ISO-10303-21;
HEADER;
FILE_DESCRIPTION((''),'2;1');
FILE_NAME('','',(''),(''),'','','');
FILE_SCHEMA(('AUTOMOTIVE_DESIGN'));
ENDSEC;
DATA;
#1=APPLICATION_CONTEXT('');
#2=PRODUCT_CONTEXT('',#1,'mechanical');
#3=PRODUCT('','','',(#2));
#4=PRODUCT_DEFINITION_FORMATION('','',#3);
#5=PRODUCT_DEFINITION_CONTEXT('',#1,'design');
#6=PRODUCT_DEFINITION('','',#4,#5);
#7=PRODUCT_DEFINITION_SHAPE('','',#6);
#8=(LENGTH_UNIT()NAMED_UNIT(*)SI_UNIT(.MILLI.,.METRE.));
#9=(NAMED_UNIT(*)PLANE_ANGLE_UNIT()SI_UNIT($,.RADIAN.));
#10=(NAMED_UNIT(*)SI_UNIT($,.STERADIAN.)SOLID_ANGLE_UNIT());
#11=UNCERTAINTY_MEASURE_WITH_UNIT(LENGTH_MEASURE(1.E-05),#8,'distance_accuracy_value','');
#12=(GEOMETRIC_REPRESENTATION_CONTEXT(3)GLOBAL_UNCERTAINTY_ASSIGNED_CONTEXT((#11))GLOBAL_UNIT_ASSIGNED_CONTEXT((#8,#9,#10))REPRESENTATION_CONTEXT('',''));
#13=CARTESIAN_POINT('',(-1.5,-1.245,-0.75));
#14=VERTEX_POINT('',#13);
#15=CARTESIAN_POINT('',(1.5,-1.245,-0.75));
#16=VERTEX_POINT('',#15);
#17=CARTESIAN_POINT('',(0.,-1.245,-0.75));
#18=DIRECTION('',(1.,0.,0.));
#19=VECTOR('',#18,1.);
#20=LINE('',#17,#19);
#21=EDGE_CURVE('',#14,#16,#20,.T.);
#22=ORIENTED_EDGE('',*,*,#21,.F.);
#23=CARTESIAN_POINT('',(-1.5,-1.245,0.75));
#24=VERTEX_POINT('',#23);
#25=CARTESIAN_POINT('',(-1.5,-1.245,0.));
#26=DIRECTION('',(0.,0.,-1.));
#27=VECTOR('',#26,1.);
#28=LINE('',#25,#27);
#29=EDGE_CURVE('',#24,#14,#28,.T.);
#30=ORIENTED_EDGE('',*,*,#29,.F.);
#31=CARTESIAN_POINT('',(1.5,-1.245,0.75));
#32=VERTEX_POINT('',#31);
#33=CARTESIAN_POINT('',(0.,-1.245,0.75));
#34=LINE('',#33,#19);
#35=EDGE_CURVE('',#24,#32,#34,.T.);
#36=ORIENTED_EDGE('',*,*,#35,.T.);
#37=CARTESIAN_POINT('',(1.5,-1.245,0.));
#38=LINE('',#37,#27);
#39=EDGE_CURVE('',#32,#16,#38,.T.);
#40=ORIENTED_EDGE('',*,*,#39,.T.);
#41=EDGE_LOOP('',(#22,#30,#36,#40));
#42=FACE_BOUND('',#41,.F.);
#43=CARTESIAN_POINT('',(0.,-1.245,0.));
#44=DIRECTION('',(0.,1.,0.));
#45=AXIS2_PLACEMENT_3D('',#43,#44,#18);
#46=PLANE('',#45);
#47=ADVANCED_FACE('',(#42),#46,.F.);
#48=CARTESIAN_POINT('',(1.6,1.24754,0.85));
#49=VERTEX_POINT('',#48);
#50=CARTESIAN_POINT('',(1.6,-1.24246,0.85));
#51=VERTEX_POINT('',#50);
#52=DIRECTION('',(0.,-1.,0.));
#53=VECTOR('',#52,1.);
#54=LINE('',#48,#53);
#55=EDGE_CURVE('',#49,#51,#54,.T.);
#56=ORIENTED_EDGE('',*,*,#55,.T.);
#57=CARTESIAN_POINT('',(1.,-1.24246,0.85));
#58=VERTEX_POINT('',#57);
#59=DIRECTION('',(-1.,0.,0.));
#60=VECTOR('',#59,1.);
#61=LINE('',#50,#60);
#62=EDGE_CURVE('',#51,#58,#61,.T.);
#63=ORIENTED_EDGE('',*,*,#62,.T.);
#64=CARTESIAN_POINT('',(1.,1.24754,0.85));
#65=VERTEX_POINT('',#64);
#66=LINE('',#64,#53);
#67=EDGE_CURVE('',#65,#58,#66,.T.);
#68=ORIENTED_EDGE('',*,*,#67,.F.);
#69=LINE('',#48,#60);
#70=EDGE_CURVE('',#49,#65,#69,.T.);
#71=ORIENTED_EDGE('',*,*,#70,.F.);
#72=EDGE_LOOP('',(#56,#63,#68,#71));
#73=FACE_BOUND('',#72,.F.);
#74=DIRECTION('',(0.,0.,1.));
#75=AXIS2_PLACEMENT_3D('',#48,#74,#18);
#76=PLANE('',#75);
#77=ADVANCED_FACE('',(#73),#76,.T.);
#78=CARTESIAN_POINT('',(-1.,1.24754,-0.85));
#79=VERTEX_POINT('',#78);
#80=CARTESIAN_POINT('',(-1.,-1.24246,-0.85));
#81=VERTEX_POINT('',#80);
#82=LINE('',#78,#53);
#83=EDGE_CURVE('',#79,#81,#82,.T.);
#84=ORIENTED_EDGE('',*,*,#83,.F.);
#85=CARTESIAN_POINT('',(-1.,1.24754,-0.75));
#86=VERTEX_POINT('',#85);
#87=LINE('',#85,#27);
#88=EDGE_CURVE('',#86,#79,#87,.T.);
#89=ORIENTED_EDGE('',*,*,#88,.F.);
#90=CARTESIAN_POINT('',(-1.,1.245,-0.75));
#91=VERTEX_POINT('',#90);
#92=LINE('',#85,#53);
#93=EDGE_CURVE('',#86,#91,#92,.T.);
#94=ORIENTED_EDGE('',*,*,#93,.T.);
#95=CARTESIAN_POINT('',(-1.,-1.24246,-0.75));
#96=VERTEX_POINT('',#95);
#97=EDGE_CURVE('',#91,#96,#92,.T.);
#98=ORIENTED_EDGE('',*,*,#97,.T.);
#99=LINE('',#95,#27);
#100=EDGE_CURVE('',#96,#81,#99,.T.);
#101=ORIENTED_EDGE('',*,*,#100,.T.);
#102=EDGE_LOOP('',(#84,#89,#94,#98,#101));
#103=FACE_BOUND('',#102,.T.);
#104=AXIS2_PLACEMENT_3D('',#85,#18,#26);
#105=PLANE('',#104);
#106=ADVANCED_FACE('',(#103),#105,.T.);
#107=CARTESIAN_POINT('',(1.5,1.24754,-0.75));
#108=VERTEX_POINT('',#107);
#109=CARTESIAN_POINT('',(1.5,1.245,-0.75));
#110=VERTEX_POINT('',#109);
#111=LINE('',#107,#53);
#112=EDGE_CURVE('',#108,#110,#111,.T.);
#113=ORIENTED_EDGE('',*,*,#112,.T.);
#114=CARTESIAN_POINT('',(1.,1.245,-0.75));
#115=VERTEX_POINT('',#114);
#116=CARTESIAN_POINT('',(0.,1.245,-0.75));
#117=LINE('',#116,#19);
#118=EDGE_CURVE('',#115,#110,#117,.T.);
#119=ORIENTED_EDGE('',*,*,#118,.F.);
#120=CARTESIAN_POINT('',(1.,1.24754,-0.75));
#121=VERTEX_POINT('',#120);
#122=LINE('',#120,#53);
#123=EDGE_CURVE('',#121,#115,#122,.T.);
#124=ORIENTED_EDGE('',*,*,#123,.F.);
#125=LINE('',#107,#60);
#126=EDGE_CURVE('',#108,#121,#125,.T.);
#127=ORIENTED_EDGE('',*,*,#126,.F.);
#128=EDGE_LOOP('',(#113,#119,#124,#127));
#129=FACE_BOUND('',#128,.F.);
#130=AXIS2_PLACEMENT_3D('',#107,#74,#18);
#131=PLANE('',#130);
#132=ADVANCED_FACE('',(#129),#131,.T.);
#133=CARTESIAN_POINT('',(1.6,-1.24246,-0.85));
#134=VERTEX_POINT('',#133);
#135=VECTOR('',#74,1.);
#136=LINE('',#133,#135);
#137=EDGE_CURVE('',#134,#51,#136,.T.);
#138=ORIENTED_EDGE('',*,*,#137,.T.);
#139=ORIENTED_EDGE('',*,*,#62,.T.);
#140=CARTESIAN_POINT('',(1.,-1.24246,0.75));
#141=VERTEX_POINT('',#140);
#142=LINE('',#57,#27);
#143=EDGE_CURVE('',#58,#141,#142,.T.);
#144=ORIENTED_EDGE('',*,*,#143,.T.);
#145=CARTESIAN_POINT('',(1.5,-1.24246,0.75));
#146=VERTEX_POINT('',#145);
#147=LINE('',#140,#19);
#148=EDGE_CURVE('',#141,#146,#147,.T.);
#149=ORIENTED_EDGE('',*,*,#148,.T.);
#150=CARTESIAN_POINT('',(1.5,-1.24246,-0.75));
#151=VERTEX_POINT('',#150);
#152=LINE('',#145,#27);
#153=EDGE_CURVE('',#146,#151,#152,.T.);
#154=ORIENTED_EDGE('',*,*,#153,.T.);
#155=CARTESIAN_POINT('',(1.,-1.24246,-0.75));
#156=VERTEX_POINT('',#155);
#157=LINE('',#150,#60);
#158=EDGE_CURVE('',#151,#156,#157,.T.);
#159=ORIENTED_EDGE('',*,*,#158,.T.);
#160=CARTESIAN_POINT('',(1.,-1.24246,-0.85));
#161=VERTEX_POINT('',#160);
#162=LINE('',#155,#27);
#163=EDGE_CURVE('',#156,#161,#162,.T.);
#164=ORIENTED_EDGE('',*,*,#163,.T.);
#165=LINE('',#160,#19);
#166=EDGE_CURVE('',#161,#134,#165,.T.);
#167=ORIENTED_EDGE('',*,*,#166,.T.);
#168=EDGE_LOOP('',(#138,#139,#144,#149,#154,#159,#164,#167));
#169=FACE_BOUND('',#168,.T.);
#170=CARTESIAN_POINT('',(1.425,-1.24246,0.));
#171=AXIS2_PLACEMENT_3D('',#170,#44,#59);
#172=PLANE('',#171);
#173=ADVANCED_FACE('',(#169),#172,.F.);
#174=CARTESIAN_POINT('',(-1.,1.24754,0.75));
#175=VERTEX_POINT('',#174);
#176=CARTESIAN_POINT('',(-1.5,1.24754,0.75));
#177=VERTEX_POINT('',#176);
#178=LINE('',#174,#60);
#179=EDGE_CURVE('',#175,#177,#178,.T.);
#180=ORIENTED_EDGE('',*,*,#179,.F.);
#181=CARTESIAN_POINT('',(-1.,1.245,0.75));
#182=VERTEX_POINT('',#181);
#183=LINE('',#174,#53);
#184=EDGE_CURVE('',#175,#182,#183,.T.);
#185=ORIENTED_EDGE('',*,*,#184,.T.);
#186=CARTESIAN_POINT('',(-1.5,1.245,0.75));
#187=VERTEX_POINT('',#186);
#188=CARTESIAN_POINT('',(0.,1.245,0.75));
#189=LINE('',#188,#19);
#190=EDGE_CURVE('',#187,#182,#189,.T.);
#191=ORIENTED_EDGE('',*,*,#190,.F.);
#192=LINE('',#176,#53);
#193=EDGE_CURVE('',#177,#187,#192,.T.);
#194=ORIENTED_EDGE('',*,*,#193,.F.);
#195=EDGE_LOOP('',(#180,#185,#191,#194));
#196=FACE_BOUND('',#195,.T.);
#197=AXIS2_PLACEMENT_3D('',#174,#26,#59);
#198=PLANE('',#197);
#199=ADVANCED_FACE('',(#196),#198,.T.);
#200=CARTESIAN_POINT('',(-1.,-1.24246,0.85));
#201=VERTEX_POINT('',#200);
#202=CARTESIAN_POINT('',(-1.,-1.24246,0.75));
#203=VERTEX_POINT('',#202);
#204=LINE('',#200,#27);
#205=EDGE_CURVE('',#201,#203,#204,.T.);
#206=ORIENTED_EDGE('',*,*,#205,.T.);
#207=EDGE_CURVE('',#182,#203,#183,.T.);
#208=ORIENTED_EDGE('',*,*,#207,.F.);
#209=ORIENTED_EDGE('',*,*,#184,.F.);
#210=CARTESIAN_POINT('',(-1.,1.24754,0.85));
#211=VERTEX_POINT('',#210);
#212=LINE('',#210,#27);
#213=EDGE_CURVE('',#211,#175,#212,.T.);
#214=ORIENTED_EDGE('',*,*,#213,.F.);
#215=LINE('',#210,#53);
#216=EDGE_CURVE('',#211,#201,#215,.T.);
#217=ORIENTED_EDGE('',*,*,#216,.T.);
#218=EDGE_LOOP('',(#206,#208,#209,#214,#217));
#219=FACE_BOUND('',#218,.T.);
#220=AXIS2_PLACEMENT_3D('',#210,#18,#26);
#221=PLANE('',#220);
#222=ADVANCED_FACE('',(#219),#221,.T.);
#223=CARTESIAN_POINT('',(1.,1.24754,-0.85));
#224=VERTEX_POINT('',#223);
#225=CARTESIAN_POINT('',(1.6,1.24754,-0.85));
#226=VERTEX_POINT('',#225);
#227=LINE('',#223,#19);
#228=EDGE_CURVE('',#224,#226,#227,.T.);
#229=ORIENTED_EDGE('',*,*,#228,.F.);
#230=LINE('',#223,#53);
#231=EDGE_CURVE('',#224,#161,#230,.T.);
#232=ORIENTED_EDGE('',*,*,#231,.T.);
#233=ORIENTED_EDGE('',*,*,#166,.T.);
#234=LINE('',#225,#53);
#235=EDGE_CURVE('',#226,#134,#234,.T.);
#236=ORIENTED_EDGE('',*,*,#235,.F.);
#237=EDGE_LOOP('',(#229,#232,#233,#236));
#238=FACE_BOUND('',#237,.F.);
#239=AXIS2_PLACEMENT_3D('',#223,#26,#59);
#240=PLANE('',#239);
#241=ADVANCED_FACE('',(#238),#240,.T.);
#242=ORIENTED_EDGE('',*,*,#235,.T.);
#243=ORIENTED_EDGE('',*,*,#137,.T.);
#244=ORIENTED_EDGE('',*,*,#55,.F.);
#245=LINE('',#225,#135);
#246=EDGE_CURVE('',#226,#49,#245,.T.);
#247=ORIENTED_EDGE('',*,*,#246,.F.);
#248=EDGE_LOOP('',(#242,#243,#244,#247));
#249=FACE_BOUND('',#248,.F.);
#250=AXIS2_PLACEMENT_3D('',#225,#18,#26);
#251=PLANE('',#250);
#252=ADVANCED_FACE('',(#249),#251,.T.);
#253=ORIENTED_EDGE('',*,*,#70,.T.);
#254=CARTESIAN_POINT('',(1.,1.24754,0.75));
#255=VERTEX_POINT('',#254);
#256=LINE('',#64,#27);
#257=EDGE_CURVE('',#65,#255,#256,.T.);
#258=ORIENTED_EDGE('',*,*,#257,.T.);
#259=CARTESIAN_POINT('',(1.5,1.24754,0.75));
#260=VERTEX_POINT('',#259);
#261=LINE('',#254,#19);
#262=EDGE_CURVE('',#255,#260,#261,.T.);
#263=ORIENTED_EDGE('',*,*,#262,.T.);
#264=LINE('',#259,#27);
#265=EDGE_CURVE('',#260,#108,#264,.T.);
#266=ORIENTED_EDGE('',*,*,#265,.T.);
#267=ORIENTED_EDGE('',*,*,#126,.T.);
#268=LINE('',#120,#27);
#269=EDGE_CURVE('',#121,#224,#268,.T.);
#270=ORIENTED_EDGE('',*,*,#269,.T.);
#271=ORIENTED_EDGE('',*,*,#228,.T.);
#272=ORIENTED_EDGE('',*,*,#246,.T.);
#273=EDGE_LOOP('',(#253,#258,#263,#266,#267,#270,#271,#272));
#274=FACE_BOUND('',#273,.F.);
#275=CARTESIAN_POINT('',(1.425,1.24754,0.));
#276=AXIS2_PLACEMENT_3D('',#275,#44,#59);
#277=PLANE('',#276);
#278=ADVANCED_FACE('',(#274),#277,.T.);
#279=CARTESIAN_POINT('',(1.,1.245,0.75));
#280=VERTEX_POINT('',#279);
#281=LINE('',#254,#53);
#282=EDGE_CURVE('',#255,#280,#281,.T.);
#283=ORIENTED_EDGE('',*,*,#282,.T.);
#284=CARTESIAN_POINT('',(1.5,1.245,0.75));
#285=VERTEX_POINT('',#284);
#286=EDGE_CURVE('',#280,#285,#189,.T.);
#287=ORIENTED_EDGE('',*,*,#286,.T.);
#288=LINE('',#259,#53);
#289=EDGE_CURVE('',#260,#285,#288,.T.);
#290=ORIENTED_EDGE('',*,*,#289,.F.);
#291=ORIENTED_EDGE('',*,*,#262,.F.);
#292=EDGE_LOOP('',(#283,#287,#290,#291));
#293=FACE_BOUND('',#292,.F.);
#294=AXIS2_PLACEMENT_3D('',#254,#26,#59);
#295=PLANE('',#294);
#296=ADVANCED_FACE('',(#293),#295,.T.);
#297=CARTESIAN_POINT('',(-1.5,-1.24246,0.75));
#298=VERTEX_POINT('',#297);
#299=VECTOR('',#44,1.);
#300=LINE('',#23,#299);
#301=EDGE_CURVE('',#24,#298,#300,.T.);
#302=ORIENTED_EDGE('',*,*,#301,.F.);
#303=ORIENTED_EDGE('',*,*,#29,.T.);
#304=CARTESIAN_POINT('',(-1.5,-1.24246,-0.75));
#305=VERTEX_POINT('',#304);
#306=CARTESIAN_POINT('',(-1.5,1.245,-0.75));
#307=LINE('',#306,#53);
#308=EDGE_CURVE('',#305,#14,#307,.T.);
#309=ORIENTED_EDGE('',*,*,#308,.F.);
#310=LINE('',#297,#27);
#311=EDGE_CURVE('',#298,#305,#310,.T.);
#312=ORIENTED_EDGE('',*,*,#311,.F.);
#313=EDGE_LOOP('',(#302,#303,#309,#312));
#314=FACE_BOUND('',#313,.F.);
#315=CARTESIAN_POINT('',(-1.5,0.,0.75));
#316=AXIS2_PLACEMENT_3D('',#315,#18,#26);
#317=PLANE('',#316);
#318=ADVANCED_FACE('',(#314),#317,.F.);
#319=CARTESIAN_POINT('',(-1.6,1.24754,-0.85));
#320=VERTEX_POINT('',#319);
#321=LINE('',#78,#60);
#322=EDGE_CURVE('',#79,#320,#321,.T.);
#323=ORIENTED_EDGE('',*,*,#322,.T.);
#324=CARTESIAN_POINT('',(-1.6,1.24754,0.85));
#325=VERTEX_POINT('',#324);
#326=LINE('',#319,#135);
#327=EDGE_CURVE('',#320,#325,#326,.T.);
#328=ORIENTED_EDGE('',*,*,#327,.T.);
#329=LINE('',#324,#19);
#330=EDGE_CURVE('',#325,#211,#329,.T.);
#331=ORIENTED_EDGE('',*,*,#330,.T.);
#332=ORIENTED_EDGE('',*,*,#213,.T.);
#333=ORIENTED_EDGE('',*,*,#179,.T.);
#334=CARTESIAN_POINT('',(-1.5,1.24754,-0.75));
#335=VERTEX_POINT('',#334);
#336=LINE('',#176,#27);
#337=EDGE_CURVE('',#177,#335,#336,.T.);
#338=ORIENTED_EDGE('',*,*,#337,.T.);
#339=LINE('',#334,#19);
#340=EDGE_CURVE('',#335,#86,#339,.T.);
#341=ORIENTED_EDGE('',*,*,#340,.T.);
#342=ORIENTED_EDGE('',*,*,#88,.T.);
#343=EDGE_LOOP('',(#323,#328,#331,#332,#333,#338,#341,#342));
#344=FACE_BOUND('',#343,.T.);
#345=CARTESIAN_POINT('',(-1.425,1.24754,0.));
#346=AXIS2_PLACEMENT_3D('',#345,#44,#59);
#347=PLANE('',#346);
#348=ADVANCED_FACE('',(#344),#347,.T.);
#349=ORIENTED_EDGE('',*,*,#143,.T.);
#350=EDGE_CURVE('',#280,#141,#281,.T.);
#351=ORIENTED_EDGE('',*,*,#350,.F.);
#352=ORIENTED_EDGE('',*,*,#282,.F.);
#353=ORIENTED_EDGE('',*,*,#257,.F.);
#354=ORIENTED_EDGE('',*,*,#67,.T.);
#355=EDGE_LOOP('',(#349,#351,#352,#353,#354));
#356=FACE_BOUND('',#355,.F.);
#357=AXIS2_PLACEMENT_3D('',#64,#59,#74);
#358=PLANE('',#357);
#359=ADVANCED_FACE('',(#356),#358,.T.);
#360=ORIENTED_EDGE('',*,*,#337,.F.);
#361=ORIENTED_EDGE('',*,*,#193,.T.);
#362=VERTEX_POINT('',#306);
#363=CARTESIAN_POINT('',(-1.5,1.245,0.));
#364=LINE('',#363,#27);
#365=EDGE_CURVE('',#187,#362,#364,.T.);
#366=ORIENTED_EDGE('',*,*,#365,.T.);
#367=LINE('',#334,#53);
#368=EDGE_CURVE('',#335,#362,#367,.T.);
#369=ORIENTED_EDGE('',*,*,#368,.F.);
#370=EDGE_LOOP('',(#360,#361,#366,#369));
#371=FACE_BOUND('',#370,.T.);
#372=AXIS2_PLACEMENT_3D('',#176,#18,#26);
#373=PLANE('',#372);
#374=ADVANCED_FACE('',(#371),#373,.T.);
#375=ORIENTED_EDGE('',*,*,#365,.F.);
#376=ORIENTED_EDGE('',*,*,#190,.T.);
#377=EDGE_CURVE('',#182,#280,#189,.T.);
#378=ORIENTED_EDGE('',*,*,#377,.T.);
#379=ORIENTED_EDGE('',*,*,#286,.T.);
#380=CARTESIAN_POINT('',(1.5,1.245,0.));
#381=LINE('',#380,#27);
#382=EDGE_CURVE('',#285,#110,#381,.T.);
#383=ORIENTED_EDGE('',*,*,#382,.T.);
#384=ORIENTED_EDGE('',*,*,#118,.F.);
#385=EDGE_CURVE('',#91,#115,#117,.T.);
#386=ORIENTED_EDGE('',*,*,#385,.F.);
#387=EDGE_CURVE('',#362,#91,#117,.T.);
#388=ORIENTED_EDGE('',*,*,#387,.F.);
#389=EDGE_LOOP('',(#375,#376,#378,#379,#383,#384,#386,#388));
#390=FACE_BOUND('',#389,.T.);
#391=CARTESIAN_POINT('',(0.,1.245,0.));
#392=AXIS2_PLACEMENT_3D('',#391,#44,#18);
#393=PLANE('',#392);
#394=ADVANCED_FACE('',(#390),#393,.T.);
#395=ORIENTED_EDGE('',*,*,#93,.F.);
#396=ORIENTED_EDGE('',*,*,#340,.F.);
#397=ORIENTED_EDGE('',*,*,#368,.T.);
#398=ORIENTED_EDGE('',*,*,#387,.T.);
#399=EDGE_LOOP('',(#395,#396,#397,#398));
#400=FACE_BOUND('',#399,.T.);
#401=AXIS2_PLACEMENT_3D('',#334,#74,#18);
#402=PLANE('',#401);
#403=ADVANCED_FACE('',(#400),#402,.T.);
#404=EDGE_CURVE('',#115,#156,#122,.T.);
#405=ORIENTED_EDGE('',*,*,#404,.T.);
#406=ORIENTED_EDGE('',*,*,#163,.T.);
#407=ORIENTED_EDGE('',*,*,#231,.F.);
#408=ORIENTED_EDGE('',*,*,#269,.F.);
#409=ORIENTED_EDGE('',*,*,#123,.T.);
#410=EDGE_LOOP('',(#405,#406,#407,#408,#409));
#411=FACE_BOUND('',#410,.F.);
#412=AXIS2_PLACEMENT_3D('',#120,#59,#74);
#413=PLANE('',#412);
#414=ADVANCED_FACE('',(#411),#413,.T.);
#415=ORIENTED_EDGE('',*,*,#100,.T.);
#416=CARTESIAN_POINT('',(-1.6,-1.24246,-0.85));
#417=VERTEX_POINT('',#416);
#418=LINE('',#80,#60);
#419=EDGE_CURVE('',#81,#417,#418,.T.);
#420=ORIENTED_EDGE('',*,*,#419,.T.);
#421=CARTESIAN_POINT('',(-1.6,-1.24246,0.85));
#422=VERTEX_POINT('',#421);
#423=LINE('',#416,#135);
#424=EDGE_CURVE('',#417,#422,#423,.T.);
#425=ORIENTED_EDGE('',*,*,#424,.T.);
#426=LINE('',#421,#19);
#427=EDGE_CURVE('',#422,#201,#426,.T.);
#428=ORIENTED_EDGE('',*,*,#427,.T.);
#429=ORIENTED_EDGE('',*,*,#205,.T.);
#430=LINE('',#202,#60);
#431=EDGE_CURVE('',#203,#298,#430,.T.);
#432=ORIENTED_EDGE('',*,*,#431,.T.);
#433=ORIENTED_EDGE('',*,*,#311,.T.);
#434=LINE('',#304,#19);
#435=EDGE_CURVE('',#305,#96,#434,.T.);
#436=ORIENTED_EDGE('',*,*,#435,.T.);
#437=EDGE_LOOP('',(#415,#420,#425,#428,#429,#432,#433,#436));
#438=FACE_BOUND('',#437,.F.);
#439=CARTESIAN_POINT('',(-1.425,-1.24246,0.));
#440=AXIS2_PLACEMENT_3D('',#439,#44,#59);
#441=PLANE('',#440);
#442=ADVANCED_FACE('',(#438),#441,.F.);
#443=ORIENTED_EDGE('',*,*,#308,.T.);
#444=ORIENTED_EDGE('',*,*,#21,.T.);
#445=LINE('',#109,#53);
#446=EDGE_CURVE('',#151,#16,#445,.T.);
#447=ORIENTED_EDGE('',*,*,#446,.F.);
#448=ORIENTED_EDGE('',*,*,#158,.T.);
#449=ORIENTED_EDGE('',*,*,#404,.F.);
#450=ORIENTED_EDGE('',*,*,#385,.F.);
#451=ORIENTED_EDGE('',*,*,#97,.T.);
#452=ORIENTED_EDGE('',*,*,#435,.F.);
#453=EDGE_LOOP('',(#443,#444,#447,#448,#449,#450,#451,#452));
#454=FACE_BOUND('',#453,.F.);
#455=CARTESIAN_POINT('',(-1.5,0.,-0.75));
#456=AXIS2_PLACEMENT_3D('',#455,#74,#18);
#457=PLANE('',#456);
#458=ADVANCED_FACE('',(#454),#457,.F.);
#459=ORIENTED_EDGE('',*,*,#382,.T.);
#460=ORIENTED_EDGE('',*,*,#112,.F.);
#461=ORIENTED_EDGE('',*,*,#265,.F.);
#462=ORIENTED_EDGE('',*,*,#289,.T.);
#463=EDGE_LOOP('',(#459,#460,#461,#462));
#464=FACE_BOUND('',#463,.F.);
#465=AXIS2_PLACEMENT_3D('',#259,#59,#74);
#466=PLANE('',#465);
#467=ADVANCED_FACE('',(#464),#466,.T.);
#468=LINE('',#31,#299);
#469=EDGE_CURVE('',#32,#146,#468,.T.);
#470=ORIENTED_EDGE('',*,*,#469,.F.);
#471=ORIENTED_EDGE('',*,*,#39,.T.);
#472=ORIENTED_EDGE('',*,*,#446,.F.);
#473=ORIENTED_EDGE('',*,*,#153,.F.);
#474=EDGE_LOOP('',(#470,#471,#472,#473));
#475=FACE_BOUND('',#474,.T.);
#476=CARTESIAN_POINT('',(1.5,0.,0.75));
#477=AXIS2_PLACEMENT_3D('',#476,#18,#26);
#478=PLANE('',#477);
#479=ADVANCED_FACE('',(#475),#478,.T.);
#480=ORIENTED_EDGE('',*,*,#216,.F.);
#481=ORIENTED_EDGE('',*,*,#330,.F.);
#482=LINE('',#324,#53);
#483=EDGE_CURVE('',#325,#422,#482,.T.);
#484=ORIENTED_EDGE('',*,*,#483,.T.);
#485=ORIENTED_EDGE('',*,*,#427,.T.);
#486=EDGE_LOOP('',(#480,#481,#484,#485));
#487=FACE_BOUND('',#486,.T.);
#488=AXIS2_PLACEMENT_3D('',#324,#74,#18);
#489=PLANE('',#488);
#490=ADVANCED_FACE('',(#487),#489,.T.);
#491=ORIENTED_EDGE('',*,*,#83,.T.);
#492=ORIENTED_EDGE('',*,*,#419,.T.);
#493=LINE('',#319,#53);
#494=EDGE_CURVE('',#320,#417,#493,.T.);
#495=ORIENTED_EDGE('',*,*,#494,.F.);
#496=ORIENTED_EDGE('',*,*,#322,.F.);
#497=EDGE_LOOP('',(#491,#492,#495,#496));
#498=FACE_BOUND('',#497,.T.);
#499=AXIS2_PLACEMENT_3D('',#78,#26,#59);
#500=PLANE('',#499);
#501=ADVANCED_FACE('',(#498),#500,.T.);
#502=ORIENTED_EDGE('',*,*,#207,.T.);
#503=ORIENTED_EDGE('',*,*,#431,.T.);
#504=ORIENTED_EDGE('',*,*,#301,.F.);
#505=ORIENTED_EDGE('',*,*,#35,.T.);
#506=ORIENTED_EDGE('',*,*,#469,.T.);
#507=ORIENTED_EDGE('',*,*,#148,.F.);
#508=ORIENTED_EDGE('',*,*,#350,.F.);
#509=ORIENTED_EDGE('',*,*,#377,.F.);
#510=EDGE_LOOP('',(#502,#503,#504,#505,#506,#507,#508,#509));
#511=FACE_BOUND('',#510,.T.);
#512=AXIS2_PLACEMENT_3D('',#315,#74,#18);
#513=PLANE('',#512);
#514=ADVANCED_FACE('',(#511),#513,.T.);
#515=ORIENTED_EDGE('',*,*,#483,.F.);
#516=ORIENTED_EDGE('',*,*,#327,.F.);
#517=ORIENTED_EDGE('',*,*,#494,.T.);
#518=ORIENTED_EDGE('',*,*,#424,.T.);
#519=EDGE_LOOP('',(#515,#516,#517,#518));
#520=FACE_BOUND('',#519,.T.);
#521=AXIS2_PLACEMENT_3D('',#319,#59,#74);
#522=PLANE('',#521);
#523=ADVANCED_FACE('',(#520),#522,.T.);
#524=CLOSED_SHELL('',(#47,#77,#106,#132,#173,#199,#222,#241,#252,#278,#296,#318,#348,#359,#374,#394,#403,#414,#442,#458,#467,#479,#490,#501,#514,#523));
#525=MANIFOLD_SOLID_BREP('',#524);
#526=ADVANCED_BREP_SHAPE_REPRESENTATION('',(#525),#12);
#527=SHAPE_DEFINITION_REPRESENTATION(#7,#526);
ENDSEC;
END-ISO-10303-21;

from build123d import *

# Parameters (mm, degrees)
SKETCH2_W           = 3
SKETCH2_H           = 1.5
BASE_EXTRUDE_DEPTH  = 1.245
BOSS_EXTRUDE8_DEPTH = 2.49


with BuildPart() as part:
    # Sketch2 → Base-Extrude (new body, symmetric)
    with BuildSketch(Plane(origin=(0, 0, 0), x_dir=(1, 0, 0), z_dir=(0, 1, 0))):
        Rectangle(SKETCH2_W, SKETCH2_H)
    extrude(amount=BASE_EXTRUDE_DEPTH, both=True)

    # Sketch3 → Boss-Extrude8 (add)
    with BuildSketch(Plane(origin=(0, 1.24754, 0), x_dir=(-1, 0, 0), z_dir=(0, 1, 0))):
        Polygon((1, 0.85), (1, 0.75), (1.5, 0.75), (1.5, -0.75), (1, -0.75), (1, -0.85), (1.6, -0.85), (1.6, 0.85), align=None)
    boss_extrude8 = extrude(amount=-BOSS_EXTRUDE8_DEPTH)

    # Espelhar1: Boss-Extrude8 across plane
    add(boss_extrude8.mirror(Plane(origin=(0, 0, 0), x_dir=(0, 0, 1), z_dir=(1, 0, 0))))


solid = part.part
